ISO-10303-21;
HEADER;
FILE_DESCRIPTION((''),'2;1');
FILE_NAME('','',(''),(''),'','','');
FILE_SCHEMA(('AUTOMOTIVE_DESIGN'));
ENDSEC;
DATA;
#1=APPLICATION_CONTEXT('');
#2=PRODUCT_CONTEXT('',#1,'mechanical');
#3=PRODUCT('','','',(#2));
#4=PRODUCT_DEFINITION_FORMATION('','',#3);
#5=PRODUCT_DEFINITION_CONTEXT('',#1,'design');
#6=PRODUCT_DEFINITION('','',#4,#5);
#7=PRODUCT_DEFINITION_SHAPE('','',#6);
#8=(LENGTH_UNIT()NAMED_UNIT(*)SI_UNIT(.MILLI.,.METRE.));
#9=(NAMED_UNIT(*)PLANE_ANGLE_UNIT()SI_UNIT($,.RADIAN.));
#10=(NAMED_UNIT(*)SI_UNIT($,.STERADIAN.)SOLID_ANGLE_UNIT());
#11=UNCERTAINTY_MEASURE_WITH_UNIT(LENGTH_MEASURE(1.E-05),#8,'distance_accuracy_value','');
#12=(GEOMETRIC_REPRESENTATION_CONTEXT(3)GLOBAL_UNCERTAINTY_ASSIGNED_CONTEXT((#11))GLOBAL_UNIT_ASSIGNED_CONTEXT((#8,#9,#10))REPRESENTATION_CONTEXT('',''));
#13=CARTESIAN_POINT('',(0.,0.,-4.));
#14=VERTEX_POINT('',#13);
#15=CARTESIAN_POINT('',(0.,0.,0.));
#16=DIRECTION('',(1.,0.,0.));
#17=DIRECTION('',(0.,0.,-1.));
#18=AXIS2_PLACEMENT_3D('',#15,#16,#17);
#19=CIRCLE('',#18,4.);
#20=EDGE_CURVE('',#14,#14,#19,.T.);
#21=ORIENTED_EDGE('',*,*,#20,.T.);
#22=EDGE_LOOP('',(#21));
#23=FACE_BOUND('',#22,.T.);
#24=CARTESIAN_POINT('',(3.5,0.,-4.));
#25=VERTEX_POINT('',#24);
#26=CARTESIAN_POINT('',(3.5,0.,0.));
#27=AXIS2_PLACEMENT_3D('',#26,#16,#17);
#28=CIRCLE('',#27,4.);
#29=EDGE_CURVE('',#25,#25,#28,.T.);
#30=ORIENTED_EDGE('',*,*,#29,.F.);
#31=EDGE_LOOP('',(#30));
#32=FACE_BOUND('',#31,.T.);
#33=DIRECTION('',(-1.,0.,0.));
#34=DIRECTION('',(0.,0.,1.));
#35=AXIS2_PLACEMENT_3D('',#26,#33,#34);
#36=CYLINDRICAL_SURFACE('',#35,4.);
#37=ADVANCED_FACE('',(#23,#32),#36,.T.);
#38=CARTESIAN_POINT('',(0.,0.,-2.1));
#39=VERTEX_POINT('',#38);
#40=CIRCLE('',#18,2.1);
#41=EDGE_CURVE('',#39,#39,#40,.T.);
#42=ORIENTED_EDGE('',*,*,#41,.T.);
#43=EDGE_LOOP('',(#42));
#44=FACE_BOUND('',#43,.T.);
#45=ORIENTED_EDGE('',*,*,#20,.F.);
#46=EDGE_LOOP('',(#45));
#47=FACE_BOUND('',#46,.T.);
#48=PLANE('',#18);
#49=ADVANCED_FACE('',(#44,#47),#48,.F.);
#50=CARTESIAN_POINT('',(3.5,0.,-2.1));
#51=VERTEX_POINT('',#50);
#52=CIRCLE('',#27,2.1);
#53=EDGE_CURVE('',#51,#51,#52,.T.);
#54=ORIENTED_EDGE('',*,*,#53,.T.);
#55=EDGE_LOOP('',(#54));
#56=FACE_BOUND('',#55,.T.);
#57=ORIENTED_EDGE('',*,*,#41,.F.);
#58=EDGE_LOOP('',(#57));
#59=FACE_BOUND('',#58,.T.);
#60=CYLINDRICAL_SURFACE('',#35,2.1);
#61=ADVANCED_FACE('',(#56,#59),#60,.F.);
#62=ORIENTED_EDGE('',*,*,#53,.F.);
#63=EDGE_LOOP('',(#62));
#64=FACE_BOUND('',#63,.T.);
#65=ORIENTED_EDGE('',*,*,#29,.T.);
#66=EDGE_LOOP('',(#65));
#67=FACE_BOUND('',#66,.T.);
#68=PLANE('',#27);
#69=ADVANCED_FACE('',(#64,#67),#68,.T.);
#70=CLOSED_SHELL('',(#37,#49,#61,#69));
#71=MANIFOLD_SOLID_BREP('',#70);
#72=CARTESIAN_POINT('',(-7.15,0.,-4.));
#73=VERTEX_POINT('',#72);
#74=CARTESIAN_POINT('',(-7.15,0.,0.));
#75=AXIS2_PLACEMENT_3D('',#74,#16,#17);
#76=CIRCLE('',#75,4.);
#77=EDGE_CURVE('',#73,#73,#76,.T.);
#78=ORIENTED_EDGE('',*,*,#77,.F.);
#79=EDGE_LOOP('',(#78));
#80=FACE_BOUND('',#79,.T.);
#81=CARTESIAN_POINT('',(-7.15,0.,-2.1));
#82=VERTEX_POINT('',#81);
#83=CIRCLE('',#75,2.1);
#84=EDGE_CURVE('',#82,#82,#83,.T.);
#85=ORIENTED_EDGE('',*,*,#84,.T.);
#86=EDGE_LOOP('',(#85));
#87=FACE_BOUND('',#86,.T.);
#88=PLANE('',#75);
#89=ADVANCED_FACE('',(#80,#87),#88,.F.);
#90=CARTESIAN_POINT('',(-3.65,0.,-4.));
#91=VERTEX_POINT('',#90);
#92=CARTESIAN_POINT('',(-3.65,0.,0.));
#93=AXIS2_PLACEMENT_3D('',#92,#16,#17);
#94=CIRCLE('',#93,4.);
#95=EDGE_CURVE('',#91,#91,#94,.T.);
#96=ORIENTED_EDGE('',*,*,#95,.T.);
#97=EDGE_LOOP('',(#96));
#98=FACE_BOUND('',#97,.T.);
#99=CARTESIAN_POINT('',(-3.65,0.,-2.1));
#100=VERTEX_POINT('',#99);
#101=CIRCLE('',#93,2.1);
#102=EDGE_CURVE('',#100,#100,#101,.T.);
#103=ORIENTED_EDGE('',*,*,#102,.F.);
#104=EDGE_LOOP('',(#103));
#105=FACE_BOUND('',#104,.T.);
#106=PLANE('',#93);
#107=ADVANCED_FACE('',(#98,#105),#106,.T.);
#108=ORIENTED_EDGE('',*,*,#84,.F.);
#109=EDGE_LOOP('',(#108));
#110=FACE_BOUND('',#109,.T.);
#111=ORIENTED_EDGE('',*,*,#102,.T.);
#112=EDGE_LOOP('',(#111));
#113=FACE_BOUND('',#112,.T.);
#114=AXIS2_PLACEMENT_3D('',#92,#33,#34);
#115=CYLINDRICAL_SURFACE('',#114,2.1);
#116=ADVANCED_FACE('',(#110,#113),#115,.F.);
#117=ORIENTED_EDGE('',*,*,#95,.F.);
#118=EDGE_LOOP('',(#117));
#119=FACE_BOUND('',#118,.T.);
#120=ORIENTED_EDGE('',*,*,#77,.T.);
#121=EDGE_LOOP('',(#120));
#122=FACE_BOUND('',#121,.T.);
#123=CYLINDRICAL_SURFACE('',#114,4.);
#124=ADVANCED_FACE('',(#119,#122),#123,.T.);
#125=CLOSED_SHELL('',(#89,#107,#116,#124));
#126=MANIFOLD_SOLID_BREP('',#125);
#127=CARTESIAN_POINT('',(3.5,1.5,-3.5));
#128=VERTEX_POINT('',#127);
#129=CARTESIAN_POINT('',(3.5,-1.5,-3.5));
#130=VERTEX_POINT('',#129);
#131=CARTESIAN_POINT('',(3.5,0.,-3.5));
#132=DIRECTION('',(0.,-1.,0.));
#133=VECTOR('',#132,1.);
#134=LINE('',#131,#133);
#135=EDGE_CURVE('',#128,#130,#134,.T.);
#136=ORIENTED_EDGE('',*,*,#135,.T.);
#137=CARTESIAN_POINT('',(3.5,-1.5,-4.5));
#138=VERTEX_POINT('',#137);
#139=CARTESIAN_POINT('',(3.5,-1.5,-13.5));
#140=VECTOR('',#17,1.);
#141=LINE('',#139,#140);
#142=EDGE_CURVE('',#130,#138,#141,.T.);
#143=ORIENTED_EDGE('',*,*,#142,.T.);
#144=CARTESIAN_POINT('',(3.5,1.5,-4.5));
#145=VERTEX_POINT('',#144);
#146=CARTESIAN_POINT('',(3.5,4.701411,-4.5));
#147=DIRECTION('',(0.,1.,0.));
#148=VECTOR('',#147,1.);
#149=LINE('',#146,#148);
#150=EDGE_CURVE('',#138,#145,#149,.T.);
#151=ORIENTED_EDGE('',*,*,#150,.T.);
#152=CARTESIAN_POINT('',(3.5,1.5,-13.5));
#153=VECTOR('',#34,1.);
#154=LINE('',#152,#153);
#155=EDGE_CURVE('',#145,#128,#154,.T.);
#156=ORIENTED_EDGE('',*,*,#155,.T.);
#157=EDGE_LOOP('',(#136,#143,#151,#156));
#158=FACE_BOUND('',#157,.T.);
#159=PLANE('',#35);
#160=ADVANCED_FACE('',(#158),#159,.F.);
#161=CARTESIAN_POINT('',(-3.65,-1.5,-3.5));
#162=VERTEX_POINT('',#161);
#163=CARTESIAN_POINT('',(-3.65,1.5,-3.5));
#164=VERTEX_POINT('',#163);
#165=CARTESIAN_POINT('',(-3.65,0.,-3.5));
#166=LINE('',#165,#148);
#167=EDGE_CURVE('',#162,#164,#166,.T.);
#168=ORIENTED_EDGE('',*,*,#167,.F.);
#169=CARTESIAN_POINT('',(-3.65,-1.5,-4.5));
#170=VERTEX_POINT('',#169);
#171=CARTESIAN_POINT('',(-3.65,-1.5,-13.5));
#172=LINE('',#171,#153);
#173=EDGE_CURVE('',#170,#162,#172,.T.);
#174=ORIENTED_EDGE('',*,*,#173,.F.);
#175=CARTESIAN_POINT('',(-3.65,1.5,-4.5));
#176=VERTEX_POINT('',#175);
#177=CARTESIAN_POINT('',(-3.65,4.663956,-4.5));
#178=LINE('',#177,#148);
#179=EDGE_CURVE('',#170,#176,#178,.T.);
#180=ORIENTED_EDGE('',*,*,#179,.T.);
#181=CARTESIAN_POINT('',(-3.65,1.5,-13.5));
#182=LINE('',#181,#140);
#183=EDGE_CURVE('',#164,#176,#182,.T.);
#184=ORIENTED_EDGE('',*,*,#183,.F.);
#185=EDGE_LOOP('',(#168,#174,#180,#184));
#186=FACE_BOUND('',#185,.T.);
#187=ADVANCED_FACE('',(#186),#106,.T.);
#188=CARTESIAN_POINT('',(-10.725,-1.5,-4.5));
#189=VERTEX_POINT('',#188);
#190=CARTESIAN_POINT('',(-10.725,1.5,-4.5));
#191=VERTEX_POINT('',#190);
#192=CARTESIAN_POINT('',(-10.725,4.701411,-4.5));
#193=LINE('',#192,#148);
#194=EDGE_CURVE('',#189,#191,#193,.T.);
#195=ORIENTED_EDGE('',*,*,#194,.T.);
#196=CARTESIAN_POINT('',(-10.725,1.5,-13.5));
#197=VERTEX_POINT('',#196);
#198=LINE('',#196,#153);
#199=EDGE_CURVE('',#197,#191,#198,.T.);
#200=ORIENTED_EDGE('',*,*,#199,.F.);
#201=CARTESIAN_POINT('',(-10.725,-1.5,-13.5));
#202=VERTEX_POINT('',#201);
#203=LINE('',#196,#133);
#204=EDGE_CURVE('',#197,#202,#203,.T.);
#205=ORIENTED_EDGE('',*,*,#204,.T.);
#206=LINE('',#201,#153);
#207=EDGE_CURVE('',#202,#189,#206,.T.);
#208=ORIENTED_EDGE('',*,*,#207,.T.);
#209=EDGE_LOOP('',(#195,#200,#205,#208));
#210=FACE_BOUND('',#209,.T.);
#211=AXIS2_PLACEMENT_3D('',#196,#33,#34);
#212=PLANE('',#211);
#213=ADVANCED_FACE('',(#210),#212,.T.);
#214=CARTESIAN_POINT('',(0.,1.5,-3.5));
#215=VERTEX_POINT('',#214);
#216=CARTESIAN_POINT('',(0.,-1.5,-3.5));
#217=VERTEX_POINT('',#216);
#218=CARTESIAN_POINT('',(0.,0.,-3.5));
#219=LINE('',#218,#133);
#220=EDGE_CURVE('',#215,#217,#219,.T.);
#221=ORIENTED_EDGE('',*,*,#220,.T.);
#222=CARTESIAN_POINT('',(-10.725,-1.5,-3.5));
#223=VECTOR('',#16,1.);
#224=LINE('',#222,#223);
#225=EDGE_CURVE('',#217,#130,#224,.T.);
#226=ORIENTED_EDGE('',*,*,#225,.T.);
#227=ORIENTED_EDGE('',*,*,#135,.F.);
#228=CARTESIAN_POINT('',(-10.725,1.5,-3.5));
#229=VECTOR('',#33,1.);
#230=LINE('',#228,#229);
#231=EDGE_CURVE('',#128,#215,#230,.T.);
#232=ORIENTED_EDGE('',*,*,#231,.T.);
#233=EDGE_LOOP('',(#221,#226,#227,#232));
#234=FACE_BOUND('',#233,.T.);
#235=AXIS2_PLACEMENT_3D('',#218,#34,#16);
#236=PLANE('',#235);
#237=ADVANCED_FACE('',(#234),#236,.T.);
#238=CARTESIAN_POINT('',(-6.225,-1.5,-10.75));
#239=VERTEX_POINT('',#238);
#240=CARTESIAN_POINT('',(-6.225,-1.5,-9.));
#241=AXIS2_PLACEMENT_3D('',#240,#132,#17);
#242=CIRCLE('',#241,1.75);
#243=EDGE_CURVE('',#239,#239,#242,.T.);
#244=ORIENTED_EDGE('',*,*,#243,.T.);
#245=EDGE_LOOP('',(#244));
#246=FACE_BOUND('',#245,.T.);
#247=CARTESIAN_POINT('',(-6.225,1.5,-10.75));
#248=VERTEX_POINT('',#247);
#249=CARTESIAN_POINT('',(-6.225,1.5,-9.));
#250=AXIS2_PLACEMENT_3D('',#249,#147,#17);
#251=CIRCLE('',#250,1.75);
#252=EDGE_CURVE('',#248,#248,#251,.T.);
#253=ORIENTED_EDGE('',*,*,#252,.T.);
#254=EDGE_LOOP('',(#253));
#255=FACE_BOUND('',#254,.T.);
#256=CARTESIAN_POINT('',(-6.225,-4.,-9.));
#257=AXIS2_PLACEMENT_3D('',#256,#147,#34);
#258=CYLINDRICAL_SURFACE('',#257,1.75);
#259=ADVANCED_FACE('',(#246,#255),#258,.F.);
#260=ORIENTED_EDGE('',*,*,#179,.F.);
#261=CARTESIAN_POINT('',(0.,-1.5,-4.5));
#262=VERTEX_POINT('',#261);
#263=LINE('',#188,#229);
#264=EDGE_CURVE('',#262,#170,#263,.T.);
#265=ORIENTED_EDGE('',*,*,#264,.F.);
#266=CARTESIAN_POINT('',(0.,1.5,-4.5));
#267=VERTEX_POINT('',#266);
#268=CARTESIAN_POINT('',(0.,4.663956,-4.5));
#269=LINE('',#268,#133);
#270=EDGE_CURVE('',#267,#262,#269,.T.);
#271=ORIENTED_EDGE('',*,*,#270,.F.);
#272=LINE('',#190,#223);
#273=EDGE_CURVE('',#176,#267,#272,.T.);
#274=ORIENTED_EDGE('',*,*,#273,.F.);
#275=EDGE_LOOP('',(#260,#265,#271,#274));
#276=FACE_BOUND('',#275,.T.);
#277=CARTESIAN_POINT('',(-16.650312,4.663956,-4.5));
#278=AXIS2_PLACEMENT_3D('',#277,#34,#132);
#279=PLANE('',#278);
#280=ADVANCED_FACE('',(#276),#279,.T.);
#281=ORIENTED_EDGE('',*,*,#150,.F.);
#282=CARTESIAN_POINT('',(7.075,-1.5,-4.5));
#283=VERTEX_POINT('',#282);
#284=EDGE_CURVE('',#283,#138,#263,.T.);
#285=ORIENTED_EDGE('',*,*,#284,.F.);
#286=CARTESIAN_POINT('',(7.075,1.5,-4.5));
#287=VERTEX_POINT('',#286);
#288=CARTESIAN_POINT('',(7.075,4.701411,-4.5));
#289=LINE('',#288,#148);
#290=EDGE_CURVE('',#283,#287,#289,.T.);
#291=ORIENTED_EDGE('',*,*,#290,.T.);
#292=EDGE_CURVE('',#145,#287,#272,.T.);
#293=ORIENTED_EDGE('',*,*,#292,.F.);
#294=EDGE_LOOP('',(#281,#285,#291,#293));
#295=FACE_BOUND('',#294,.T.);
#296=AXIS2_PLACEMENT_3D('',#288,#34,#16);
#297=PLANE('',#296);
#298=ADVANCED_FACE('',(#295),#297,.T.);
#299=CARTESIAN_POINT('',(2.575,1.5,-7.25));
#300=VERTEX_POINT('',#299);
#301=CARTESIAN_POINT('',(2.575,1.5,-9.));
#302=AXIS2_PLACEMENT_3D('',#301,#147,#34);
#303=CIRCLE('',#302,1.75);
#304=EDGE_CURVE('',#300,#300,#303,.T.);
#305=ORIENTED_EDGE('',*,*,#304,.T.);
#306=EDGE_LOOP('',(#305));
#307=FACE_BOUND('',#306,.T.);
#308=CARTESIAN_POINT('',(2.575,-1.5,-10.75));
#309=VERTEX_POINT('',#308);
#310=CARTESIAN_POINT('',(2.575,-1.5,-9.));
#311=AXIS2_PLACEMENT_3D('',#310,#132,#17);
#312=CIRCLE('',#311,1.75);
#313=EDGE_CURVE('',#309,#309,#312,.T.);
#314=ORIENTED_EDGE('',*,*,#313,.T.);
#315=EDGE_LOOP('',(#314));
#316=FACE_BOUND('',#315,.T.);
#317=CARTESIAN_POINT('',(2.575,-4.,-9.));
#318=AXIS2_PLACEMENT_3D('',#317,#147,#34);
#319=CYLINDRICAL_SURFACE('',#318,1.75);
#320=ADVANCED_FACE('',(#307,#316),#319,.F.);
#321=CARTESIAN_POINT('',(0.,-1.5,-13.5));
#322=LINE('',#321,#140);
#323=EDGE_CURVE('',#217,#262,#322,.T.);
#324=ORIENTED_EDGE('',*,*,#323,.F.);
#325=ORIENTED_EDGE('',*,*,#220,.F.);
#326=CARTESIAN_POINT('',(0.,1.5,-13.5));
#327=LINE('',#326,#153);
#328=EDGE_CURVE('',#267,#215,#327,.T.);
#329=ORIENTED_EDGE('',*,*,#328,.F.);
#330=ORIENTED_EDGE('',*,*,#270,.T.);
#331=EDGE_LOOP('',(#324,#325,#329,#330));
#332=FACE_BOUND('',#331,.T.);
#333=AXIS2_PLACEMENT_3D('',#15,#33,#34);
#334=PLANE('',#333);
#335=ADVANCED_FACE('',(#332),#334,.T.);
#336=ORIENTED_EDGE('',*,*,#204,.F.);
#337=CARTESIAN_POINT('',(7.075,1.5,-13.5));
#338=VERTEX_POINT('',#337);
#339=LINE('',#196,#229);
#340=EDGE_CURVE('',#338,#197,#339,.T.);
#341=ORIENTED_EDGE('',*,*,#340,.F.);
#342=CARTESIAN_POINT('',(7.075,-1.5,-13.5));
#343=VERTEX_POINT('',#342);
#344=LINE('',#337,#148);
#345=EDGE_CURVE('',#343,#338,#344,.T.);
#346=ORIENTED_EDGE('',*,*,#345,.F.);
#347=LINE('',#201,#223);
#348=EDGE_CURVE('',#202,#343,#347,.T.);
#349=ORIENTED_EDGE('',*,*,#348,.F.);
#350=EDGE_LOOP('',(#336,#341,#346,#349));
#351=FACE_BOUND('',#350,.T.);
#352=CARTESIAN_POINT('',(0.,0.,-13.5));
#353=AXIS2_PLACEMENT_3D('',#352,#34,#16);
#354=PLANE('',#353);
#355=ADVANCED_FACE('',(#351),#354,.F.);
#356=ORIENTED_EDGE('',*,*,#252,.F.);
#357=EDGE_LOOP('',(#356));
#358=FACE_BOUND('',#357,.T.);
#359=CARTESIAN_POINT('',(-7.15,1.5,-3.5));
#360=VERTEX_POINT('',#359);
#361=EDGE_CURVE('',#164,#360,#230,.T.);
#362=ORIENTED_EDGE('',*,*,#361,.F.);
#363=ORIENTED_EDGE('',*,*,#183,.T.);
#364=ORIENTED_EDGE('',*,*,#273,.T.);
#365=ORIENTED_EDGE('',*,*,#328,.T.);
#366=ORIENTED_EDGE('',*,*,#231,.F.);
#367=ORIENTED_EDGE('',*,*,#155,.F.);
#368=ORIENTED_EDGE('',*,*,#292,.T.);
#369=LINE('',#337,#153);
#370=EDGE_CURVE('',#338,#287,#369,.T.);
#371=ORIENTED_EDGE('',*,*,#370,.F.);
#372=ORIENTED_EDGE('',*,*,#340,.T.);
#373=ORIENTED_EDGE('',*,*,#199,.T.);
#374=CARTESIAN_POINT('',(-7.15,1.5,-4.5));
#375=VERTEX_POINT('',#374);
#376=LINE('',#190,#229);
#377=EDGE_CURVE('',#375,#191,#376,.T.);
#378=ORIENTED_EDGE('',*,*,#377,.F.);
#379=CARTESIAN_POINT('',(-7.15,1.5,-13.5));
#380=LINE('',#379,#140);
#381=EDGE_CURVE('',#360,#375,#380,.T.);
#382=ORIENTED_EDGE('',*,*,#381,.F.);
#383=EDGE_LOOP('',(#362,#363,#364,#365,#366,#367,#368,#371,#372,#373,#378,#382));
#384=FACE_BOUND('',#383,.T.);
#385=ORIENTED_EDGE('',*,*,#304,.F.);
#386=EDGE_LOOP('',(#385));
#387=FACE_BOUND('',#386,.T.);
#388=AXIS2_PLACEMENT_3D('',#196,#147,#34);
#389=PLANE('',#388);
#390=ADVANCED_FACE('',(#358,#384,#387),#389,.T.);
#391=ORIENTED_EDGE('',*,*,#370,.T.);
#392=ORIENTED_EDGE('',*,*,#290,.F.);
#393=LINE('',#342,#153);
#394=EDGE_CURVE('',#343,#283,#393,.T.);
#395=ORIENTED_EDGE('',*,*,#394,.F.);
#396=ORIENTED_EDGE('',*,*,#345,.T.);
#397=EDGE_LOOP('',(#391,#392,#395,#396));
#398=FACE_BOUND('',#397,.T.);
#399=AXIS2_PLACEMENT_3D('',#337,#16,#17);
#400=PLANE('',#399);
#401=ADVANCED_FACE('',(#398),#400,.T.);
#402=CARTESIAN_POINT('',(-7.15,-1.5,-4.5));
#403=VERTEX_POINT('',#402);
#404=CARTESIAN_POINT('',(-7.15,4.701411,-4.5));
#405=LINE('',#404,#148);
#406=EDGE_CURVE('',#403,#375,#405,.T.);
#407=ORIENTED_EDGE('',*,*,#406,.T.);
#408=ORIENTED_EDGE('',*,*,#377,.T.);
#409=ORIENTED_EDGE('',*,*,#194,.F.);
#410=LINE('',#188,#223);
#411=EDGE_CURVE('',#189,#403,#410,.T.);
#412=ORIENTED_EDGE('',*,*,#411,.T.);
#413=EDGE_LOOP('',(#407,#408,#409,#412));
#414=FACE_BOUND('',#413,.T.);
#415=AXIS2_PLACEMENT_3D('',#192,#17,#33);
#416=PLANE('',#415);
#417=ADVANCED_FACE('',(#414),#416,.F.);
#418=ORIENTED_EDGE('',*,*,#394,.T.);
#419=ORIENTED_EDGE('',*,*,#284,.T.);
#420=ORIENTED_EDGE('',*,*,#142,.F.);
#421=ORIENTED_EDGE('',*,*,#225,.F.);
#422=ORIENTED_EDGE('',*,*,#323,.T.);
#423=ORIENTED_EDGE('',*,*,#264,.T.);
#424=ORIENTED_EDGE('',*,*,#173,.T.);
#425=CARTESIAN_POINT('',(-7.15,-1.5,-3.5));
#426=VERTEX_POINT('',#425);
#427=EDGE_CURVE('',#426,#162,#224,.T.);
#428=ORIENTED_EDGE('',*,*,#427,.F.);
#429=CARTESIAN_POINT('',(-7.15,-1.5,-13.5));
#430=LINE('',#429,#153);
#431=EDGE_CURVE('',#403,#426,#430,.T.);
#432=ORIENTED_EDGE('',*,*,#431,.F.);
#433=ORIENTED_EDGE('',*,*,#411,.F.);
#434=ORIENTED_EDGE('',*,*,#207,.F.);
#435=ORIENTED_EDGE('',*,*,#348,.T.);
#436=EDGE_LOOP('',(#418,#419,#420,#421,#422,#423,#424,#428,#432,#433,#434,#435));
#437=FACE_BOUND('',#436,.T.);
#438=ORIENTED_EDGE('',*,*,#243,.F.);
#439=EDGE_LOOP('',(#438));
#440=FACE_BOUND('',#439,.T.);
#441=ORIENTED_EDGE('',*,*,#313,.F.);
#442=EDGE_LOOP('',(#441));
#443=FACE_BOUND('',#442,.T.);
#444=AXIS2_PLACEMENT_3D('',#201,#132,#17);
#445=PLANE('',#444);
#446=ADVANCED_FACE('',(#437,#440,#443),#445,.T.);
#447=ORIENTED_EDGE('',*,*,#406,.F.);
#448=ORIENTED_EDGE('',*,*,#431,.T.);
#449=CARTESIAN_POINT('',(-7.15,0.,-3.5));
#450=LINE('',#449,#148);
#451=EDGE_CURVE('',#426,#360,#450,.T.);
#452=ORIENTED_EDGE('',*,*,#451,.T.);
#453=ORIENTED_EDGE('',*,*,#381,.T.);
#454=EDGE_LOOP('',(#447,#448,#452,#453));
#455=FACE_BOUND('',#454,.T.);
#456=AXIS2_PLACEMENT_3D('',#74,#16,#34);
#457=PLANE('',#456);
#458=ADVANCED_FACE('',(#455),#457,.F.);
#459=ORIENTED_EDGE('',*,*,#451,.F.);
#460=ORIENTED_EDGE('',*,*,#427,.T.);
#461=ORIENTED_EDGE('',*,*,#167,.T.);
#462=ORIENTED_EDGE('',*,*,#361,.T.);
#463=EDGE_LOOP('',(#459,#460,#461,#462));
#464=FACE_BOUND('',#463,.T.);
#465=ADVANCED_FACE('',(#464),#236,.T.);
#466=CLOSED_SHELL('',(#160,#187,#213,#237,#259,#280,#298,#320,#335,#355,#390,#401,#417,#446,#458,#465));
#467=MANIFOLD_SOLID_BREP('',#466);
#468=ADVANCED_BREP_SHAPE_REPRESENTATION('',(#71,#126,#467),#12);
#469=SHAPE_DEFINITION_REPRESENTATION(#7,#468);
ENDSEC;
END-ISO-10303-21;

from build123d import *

# Parameters (mm, degrees)
CROQUIS1_R              = 4
CROQUIS1_R_2            = 2.1
SALIENTE_EXTRUIR1_DEPTH = 3.5
MATRIZL3_COUNT          = 2
MATRIZL3_PITCH          = 7.15
CROQUIS4_W              = 17.8
CROQUIS4_H              = 3
SALIENTE_EXTRUIR2_DEPTH = 10
CROQUIS5_R              = 1.75
CORTAR_EXTRUIR1_DEPTH   = 19.097669049
CROQUIS6_W              = 8.996759429
CROQUIS6_H              = 9.40282288
CORTAR_EXTRUIR2_DEPTH   = 21.015009993
CROQUIS7_W              = 9.055283223
CROQUIS7_H              = 9.327912758
CORTAR_EXTRUIR3_DEPTH   = 3.65


with BuildPart() as part:
    # Croquis1 → Saliente-Extruir1 (new body)
    with BuildSketch(Plane(origin=(0, 0, 0), x_dir=(0, -1, 0), z_dir=(1, 0, 0))):
        with Locations(Location((0, 0, 0), (0, 0, 90))):
            Circle(CROQUIS1_R)
        with Locations(Location((0, 0, 0), (0, 0, 90))):
            Circle(CROQUIS1_R_2, mode=Mode.SUBTRACT)
    extrude(amount=SALIENTE_EXTRUIR1_DEPTH)


with BuildPart() as matrizl3_1:
    # MatrizL3: pattern copy
    add(part.part.moved(Location(Vector(-1, 0, 0) * (1 * MATRIZL3_PITCH))))


with BuildPart() as body_3:
    # Croquis4 → Saliente-Extruir2 (new body)
    with BuildSketch(Plane.XY.offset(-3.5)):
        with Locations((-1.825, 0)):
            Rectangle(CROQUIS4_W, CROQUIS4_H)
    extrude(amount=-SALIENTE_EXTRUIR2_DEPTH)

    # Croquis5 → Cortar-Extruir1 (cut, through all)
    with BuildSketch(Plane(origin=(0, 1.5, 0), x_dir=(1, 0, 0), z_dir=(0, 1, 0))):
        with Locations(Location((2.575, 9, 0), (0, 0, 270))):
            Circle(CROQUIS5_R)
        with Locations(Location((-6.225, 9, 0), (0, 0, 90))):
            Circle(CROQUIS5_R)
    extrude(amount=-CORTAR_EXTRUIR1_DEPTH, mode=Mode.SUBTRACT)

    # Croquis6 → Cortar-Extruir2 (cut, through all)
    with BuildSketch(Plane(origin=(3.5, 0, 0), x_dir=(0, 0, -1), z_dir=(1, 0, 0))):
        with Locations((0.001620286, 0)):
            Rectangle(CROQUIS6_W, CROQUIS6_H)
    cortar_extruir2 = extrude(amount=CORTAR_EXTRUIR2_DEPTH, mode=Mode.SUBTRACT)

    # Croquis7 → Cortar-Extruir3 (cut)
    with BuildSketch(Plane.ZY):
        with Locations((0.027641611, 0)):
            Rectangle(CROQUIS7_W, CROQUIS7_H)
    extrude(amount=CORTAR_EXTRUIR3_DEPTH, mode=Mode.SUBTRACT)

    # Simetría1: Cortar-Extruir2 across plane
    add(cortar_extruir2.mirror(Plane(origin=(-1.825, 0, 0), x_dir=(0, 0, 1), z_dir=(1, 0, 0))), mode=Mode.SUBTRACT)


solid = Compound([part.part, matrizl3_1.part, body_3.part])
